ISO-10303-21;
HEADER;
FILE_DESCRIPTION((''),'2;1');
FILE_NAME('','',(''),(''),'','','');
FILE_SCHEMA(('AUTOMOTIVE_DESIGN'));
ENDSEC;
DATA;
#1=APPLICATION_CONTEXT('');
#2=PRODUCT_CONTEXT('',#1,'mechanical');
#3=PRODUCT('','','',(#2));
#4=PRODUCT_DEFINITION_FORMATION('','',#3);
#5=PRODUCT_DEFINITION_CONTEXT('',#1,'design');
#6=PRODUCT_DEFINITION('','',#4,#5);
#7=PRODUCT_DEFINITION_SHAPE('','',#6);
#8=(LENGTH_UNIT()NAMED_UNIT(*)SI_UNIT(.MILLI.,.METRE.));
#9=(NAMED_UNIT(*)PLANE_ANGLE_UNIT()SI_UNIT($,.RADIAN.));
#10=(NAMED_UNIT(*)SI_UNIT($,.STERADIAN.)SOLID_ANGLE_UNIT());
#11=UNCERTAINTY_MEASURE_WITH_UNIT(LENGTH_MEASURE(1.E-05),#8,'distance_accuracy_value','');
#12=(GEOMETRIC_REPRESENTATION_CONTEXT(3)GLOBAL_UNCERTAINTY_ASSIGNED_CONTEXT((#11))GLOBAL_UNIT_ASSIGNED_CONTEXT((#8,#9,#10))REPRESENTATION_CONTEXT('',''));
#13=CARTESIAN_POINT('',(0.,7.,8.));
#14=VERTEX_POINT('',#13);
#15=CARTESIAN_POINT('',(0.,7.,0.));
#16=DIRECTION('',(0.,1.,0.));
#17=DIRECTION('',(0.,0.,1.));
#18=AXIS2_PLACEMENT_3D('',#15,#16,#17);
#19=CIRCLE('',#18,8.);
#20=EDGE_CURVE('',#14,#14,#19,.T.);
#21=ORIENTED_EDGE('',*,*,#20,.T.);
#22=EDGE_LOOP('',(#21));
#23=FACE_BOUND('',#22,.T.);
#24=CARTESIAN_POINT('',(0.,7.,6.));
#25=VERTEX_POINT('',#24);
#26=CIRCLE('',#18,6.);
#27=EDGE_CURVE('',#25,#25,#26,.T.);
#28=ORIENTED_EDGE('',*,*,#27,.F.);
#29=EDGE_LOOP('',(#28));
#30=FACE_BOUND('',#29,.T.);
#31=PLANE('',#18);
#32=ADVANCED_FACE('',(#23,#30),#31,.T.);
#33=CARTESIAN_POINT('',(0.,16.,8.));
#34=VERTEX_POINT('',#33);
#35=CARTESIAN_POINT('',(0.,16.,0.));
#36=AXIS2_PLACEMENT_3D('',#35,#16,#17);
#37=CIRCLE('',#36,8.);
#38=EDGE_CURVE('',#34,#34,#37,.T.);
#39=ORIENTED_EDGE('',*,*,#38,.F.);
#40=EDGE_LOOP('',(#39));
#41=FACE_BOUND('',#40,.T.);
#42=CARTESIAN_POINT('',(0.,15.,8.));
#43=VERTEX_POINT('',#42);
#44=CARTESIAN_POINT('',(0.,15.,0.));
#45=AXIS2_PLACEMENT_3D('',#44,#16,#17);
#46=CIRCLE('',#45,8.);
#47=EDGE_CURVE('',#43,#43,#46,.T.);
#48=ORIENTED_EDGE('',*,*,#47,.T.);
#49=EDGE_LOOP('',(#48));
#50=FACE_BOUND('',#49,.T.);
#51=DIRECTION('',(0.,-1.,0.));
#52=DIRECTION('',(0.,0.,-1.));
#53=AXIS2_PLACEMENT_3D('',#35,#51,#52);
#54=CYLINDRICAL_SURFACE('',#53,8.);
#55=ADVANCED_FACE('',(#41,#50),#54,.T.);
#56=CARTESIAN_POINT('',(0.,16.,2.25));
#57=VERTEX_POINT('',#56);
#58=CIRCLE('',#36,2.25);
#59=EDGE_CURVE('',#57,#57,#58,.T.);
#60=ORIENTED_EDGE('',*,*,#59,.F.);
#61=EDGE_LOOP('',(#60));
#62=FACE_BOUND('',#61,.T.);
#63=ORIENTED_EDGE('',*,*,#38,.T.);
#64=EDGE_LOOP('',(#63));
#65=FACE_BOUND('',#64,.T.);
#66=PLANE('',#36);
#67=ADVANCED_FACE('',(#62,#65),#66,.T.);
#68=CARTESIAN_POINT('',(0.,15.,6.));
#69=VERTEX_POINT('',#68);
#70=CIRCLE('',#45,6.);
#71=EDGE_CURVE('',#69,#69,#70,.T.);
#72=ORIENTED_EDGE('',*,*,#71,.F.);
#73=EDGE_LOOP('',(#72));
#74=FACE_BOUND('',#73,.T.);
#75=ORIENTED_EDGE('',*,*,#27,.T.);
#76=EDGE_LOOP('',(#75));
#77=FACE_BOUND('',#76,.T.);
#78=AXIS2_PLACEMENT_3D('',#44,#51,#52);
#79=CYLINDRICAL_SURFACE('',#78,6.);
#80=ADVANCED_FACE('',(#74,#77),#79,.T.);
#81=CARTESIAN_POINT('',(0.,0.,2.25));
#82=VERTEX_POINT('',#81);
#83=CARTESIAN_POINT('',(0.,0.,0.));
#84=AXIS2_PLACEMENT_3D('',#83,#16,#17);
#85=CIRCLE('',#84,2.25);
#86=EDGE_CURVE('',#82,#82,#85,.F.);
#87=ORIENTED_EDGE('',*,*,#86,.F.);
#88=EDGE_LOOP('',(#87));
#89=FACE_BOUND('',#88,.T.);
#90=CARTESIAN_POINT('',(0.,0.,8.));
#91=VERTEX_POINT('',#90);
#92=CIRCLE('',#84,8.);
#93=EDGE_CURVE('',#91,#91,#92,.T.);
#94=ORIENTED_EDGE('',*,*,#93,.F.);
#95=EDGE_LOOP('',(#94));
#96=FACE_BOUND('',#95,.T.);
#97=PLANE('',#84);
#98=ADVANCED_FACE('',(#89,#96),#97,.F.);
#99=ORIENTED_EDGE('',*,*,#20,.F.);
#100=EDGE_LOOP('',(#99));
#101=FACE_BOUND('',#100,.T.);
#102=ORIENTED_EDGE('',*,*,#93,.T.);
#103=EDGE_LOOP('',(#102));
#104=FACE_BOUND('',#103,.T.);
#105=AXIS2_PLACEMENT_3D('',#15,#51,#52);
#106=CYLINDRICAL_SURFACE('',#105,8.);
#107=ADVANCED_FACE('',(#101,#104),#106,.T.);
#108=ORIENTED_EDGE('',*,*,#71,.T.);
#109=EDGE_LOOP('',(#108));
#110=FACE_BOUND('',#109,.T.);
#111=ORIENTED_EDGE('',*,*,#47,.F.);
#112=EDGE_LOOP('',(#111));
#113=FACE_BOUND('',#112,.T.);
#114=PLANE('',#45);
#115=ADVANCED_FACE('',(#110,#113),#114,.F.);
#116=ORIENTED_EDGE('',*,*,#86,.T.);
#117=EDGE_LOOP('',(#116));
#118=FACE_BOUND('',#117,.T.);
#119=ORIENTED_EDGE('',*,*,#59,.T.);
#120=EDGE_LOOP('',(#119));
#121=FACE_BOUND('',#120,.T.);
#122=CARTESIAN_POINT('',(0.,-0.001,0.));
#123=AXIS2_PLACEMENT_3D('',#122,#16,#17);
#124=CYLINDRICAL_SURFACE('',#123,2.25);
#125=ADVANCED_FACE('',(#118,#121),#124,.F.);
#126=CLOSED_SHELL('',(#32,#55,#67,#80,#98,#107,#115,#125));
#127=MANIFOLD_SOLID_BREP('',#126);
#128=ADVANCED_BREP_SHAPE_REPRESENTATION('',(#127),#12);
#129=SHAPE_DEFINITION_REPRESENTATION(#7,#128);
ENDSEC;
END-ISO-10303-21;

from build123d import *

# Parameters (mm, degrees)
SKETCH1_R           = 8
BOSS_EXTRUDE1_DEPTH = 7
SKETCH2_R           = 6
BOSS_EXTRUDE2_DEPTH = 8
SKETCH3_R           = 8
BOSS_EXTRUDE3_DEPTH = 1
CUT_EXTRUDE1_REACH  = 21.596
SKETCH4_R           = 2.25


with BuildPart() as part:
    # Sketch1 → Boss-Extrude1 (new body)
    with BuildSketch(Plane(origin=(0, 0, 0), x_dir=(1, 0, 0), z_dir=(0, 1, 0))):
        with Locations(Location((0, 0, 0), (0, 0, 270))):
            Circle(SKETCH1_R)
    extrude(amount=BOSS_EXTRUDE1_DEPTH)

    # Sketch2 → Boss-Extrude2 (add)
    with BuildSketch(Plane(origin=(0, 7, 0), x_dir=(1, 0, 0), z_dir=(0, 1, 0))):
        with Locations(Location((0, 0, 0), (0, 0, 270))):
            Circle(SKETCH2_R)
    extrude(amount=BOSS_EXTRUDE2_DEPTH)

    # Sketch3 → Boss-Extrude3 (add)
    with BuildSketch(Plane(origin=(0, 15, 0), x_dir=(1, 0, 0), z_dir=(0, 1, 0))):
        with Locations(Location((0, 0, 0), (0, 0, 270))):
            Circle(SKETCH3_R)
    extrude(amount=BOSS_EXTRUDE3_DEPTH)

    # Sketch4 → Cut-Extrude1 (cut, up to next)
    with BuildSketch(Plane(origin=(0, 16, 0), x_dir=(1, 0, 0), z_dir=(0, 1, 0)), mode=Mode.PRIVATE) as cut_extrude1_sk1:
        with Locations(Location((0, 0, 0), (0, 0, 270))):
            Circle(SKETCH4_R)
    cut_extrude1_tool1 = extrude(cut_extrude1_sk1.sketch, amount=-CUT_EXTRUDE1_REACH, mode=Mode.PRIVATE) & part.part
    add(cut_extrude1_tool1.solids().sort_by_distance((0, 16, 0))[0], mode=Mode.SUBTRACT)


solid = part.part
